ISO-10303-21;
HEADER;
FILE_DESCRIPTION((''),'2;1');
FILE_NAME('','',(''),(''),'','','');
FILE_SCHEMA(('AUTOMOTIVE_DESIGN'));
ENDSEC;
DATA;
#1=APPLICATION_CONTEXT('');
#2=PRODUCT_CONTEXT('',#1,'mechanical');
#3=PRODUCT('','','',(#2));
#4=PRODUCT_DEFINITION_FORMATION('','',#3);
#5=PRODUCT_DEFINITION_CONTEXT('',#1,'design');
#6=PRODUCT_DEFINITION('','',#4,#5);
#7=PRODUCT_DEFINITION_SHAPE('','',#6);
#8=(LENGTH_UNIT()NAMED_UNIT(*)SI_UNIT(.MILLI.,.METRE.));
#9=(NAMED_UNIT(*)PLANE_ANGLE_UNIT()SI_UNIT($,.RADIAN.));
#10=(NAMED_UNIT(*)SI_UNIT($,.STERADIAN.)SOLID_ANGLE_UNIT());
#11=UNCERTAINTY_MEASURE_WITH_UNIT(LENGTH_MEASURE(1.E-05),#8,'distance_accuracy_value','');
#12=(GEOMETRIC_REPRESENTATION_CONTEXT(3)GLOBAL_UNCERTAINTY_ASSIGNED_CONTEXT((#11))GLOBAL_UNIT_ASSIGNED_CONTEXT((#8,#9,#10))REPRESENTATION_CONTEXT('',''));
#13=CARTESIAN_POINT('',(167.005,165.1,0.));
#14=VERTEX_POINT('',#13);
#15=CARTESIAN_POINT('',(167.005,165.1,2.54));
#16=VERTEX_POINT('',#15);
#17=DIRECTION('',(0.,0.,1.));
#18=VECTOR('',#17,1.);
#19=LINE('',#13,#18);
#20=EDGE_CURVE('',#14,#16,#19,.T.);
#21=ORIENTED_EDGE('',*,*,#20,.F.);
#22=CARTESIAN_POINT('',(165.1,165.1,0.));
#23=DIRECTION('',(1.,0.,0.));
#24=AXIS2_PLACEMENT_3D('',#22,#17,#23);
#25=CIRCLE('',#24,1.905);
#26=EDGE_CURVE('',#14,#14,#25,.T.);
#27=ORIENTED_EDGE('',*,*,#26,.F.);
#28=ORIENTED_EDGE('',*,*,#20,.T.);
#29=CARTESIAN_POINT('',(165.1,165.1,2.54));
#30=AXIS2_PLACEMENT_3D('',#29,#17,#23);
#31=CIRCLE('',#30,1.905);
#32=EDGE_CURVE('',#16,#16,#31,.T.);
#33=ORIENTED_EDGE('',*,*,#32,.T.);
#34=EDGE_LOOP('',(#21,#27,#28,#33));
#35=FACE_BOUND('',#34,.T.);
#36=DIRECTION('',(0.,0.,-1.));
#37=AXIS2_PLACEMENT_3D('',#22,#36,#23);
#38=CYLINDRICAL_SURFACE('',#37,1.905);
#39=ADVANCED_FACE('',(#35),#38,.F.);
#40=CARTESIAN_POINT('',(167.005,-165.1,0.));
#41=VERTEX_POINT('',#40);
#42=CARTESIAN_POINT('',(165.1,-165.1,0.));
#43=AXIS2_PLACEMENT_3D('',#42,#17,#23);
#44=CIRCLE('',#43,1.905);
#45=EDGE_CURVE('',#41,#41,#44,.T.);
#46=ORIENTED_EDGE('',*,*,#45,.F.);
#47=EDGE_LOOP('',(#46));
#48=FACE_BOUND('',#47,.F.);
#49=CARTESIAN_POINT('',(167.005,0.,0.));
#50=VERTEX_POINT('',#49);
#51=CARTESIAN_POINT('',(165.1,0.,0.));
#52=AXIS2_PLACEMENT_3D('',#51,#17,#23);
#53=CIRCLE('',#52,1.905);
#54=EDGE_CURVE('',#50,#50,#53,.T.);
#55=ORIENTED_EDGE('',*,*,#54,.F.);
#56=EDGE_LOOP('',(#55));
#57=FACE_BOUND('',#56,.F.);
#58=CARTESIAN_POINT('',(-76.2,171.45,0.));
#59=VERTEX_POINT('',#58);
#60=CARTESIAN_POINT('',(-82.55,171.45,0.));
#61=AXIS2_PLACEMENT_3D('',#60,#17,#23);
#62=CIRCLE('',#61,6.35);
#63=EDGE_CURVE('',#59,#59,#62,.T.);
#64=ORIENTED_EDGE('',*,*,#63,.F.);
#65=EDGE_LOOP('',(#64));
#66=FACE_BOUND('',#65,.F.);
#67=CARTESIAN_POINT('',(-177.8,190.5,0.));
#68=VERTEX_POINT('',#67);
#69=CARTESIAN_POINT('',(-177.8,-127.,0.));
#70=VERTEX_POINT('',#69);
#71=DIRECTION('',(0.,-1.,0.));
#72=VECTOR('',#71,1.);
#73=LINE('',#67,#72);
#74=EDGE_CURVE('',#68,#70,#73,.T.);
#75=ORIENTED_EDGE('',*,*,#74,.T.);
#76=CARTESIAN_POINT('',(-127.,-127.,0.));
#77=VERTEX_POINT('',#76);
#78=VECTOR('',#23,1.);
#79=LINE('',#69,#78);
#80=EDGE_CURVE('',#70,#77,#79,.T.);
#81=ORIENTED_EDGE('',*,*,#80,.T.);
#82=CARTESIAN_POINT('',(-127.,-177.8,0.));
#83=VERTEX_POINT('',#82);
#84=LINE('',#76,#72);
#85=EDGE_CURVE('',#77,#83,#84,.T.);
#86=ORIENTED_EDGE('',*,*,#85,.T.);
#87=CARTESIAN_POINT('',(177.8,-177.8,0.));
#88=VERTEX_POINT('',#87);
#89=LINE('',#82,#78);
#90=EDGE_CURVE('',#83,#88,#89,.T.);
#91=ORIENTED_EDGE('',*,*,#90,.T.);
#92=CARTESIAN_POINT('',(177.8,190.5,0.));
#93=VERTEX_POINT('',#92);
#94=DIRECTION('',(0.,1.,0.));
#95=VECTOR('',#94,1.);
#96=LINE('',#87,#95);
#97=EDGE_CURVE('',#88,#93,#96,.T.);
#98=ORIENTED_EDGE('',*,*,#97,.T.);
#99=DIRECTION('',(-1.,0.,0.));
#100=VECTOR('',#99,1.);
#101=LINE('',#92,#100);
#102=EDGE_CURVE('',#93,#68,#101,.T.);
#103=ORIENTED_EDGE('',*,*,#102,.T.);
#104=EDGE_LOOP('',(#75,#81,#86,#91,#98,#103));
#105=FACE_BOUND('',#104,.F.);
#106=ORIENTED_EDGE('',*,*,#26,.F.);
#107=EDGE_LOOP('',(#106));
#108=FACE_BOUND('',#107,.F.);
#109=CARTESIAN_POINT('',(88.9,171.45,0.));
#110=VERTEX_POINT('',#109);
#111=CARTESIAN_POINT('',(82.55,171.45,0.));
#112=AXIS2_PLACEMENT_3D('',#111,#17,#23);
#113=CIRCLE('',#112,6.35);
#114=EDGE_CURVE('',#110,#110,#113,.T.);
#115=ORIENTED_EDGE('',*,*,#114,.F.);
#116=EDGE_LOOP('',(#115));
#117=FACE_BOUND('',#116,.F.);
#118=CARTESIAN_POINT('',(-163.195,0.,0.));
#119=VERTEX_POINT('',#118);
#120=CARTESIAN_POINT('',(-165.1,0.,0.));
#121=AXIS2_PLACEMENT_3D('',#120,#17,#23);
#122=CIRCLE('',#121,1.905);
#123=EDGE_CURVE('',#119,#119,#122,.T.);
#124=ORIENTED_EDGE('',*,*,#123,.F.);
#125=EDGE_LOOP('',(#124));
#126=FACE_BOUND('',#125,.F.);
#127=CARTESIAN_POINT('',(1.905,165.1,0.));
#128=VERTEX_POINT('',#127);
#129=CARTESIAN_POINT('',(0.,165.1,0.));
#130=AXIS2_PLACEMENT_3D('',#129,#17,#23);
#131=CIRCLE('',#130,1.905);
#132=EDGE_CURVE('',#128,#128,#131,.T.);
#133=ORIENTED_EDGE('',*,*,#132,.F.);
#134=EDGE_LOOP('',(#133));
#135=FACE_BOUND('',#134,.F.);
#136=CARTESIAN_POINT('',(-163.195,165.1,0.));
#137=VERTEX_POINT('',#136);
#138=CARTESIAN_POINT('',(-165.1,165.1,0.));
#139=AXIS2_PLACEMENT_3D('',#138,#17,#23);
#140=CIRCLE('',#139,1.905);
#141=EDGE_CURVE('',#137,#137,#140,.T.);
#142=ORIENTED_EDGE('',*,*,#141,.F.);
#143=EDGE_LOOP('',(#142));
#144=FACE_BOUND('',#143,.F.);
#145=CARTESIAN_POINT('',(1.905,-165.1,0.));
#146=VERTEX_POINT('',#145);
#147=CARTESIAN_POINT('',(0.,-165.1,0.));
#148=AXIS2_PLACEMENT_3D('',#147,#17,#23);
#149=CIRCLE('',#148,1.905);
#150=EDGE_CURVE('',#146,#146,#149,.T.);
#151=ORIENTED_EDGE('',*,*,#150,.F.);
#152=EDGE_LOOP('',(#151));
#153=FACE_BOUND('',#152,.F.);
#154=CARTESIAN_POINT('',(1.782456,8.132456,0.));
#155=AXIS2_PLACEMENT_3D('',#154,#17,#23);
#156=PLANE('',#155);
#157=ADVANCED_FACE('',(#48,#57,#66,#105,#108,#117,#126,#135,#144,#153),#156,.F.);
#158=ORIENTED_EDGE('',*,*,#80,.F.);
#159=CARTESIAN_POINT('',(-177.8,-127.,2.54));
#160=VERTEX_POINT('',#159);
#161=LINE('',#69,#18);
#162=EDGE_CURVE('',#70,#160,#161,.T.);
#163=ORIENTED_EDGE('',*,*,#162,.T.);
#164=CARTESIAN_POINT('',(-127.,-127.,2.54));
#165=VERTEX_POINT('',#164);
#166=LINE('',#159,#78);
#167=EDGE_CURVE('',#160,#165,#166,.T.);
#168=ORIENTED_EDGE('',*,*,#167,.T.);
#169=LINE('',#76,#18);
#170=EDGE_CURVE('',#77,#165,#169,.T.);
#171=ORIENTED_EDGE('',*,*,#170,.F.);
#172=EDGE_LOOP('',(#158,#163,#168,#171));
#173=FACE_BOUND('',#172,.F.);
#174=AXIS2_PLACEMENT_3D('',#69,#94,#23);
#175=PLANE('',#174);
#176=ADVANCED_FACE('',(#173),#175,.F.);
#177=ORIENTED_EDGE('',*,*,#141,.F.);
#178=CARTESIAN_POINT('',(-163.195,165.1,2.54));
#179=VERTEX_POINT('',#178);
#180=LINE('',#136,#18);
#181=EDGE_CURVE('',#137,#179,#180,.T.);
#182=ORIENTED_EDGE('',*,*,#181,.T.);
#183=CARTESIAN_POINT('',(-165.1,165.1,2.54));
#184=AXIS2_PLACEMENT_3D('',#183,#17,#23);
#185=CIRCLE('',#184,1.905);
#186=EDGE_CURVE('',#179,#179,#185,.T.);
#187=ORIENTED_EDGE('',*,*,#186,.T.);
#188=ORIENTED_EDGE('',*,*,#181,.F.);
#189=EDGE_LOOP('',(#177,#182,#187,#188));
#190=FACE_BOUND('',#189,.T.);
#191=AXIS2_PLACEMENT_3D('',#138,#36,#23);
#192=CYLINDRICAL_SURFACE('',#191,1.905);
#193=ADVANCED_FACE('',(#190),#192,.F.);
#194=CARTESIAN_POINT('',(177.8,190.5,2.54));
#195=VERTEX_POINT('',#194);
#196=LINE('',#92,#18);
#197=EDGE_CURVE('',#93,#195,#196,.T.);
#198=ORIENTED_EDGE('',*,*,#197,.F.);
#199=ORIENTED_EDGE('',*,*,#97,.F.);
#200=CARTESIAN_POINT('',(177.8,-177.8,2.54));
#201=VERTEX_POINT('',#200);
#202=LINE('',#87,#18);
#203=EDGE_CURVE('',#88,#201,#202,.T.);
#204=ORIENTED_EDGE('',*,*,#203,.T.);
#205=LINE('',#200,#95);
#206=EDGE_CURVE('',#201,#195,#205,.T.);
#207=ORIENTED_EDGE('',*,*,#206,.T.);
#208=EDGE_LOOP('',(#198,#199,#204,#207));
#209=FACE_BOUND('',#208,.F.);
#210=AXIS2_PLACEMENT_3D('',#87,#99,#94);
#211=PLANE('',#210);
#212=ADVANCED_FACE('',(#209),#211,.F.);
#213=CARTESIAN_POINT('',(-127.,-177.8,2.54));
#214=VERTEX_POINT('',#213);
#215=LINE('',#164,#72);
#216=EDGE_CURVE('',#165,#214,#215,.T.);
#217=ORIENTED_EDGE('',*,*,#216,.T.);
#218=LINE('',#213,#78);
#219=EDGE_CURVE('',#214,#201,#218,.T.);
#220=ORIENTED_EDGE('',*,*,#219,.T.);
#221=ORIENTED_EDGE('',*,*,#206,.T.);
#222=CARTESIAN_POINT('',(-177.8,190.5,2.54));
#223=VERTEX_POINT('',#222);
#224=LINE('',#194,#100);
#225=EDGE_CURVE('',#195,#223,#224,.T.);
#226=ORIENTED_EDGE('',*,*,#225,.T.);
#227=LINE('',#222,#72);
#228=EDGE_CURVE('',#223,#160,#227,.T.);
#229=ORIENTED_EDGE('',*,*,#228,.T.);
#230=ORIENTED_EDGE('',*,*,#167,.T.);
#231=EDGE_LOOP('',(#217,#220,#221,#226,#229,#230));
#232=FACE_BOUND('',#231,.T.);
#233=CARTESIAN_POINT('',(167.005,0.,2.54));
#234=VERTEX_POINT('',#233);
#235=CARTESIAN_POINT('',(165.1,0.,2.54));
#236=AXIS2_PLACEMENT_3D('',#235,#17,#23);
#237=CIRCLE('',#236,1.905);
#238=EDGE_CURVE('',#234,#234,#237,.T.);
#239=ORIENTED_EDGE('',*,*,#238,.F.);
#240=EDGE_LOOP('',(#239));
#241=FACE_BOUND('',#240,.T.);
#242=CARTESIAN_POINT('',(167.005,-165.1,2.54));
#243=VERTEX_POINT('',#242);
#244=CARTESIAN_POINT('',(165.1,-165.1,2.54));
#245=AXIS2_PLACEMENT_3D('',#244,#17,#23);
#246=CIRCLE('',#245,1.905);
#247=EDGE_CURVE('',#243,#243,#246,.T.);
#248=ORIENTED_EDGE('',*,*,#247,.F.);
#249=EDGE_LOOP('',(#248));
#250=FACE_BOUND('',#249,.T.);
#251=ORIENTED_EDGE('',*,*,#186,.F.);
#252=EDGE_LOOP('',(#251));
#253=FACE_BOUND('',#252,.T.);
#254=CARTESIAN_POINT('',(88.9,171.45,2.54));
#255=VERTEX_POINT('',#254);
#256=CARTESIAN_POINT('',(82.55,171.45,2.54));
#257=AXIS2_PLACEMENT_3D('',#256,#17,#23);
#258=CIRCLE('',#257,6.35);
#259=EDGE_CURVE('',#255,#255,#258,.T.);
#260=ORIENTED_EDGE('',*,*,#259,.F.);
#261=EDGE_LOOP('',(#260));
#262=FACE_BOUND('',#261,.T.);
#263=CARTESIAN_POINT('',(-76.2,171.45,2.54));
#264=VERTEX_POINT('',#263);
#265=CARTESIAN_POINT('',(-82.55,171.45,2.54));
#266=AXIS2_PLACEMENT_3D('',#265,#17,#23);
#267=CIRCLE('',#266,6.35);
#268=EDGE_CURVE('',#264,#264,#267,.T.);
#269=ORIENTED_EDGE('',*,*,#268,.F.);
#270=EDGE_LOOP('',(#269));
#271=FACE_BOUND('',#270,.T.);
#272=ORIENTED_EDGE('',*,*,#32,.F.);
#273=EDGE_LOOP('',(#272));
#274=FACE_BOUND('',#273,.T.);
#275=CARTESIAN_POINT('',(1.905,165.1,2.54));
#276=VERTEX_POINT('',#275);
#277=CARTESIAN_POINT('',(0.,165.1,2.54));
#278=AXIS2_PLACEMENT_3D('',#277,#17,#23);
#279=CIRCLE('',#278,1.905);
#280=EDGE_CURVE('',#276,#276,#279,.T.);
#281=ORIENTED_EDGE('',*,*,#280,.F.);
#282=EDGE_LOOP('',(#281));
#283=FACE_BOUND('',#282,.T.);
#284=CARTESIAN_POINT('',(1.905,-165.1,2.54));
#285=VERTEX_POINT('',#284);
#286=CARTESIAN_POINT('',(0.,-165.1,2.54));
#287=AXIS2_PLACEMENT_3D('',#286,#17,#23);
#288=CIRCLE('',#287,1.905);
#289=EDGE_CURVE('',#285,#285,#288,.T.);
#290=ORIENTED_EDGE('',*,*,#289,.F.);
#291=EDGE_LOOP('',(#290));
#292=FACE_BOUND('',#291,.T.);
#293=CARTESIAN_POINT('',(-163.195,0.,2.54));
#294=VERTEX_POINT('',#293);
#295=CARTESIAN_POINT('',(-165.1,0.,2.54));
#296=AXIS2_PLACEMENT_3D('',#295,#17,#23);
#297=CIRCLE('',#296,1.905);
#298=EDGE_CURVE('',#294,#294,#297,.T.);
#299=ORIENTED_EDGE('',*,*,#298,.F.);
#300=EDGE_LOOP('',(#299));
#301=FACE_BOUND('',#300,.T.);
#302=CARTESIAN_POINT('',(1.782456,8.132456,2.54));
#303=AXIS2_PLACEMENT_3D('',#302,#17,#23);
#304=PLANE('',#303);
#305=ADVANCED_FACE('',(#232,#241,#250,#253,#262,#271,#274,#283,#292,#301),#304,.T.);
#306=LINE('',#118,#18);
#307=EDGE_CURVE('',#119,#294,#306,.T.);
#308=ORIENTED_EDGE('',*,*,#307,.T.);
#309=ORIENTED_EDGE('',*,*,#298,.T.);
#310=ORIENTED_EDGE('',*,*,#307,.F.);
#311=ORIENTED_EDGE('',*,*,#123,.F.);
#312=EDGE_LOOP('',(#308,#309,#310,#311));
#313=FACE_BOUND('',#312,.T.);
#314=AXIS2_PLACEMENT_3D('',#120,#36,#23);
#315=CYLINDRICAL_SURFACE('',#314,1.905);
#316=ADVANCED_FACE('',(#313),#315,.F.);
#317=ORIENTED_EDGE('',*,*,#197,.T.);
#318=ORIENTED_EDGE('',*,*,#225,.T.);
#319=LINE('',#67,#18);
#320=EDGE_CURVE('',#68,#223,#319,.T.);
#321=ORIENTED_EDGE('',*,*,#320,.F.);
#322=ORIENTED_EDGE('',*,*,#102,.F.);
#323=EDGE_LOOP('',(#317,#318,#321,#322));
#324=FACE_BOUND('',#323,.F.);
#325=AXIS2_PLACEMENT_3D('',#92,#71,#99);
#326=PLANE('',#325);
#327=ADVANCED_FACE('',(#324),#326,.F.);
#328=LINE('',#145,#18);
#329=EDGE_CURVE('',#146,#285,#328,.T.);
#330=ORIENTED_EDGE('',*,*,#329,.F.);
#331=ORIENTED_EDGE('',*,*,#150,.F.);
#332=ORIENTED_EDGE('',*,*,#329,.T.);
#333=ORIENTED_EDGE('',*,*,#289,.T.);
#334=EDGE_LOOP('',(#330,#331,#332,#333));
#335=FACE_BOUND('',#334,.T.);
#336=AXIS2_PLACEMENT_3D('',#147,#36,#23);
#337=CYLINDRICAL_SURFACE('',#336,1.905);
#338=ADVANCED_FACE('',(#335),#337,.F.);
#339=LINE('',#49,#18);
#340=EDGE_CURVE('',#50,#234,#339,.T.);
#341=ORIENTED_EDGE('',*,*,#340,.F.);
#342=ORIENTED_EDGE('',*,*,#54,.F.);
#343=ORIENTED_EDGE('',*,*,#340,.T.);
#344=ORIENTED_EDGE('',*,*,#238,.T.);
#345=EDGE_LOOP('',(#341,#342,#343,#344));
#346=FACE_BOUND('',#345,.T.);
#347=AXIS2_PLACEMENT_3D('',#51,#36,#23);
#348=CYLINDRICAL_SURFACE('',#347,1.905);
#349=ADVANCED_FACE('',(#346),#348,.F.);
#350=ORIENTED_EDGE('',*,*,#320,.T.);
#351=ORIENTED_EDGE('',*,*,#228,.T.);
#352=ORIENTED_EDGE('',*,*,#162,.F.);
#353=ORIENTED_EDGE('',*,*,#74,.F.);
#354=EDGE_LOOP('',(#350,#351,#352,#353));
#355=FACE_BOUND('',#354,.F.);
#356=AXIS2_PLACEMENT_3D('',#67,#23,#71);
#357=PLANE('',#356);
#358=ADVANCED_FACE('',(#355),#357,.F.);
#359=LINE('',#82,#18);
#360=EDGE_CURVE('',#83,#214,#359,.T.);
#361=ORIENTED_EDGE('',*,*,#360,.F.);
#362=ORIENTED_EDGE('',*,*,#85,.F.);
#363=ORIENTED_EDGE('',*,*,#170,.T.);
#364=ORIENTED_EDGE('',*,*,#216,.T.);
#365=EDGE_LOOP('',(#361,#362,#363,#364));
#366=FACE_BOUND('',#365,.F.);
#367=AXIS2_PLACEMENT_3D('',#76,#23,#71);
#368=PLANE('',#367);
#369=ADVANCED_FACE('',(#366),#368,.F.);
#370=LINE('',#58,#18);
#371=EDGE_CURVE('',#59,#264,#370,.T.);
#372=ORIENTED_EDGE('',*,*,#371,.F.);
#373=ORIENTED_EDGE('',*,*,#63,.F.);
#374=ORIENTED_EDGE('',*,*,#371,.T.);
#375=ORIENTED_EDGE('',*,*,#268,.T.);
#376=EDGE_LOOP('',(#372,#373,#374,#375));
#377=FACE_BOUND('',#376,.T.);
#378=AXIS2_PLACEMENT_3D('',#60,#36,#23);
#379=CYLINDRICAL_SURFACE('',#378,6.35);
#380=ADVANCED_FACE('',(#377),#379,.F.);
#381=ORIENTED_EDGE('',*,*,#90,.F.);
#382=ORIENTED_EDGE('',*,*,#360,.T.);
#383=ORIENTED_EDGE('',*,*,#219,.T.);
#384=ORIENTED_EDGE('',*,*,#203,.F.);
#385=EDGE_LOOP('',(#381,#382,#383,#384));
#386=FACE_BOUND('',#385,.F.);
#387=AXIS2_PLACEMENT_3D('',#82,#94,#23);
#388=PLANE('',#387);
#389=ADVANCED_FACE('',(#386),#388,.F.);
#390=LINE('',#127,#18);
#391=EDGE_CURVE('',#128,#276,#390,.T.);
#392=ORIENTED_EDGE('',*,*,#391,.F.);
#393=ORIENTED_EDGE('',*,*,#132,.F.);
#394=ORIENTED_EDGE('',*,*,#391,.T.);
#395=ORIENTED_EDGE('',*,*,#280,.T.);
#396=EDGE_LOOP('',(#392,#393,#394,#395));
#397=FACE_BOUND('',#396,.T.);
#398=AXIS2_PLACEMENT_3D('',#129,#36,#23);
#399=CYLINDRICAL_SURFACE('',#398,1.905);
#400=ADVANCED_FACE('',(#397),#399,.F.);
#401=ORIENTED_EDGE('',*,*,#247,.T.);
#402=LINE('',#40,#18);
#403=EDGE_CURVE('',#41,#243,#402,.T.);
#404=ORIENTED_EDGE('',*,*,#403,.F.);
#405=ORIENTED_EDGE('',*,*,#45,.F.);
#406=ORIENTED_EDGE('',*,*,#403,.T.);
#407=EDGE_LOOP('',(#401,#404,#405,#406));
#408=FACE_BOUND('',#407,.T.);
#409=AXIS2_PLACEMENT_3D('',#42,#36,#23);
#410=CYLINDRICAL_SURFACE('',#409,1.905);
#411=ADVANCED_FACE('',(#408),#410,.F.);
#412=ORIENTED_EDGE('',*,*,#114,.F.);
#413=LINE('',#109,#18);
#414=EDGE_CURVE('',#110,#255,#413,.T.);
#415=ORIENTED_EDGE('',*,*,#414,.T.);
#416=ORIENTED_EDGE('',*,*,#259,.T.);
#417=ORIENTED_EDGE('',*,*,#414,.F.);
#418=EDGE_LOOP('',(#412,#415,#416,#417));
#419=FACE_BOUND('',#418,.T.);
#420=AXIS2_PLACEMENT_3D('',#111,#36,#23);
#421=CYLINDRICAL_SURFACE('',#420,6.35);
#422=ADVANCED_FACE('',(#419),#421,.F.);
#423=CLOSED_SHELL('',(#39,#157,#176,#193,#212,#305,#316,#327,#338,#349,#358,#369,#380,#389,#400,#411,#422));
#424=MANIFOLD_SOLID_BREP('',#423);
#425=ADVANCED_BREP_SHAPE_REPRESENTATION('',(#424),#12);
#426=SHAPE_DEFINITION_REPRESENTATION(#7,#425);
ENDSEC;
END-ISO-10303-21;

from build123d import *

# Parameters (mm, degrees)
F0_R     = 1.905
F0_R_2   = 6.35
F1_DEPTH = 2.54


with BuildPart() as f1:
    # F0 (on Top) → F1 (new body)
    with BuildSketch(Plane.XY):
        Polygon((-127, -177.8), (177.8, -177.8), (177.8, 190.5), (-177.8, 190.5), (-177.8, -127), (-127, -127), align=None)
        with Locations((-165.1, 0)):
            Circle(F0_R, mode=Mode.SUBTRACT)
        with Locations((0, -165.1)):
            Circle(F0_R, mode=Mode.SUBTRACT)
        with Locations((165.1, -165.1)):
            Circle(F0_R, mode=Mode.SUBTRACT)
        with Locations((165.1, 0)):
            Circle(F0_R, mode=Mode.SUBTRACT)
        with Locations((-165.1, 165.1)):
            Circle(F0_R, mode=Mode.SUBTRACT)
        with Locations((-82.55, 171.45)):
            Circle(F0_R_2, mode=Mode.SUBTRACT)
        with Locations((0, 165.1)):
            Circle(F0_R, mode=Mode.SUBTRACT)
        with Locations((82.55, 171.45)):
            Circle(F0_R_2, mode=Mode.SUBTRACT)
        with Locations((165.1, 165.1)):
            Circle(F0_R, mode=Mode.SUBTRACT)
    extrude(amount=F1_DEPTH)


solid = f1.part
